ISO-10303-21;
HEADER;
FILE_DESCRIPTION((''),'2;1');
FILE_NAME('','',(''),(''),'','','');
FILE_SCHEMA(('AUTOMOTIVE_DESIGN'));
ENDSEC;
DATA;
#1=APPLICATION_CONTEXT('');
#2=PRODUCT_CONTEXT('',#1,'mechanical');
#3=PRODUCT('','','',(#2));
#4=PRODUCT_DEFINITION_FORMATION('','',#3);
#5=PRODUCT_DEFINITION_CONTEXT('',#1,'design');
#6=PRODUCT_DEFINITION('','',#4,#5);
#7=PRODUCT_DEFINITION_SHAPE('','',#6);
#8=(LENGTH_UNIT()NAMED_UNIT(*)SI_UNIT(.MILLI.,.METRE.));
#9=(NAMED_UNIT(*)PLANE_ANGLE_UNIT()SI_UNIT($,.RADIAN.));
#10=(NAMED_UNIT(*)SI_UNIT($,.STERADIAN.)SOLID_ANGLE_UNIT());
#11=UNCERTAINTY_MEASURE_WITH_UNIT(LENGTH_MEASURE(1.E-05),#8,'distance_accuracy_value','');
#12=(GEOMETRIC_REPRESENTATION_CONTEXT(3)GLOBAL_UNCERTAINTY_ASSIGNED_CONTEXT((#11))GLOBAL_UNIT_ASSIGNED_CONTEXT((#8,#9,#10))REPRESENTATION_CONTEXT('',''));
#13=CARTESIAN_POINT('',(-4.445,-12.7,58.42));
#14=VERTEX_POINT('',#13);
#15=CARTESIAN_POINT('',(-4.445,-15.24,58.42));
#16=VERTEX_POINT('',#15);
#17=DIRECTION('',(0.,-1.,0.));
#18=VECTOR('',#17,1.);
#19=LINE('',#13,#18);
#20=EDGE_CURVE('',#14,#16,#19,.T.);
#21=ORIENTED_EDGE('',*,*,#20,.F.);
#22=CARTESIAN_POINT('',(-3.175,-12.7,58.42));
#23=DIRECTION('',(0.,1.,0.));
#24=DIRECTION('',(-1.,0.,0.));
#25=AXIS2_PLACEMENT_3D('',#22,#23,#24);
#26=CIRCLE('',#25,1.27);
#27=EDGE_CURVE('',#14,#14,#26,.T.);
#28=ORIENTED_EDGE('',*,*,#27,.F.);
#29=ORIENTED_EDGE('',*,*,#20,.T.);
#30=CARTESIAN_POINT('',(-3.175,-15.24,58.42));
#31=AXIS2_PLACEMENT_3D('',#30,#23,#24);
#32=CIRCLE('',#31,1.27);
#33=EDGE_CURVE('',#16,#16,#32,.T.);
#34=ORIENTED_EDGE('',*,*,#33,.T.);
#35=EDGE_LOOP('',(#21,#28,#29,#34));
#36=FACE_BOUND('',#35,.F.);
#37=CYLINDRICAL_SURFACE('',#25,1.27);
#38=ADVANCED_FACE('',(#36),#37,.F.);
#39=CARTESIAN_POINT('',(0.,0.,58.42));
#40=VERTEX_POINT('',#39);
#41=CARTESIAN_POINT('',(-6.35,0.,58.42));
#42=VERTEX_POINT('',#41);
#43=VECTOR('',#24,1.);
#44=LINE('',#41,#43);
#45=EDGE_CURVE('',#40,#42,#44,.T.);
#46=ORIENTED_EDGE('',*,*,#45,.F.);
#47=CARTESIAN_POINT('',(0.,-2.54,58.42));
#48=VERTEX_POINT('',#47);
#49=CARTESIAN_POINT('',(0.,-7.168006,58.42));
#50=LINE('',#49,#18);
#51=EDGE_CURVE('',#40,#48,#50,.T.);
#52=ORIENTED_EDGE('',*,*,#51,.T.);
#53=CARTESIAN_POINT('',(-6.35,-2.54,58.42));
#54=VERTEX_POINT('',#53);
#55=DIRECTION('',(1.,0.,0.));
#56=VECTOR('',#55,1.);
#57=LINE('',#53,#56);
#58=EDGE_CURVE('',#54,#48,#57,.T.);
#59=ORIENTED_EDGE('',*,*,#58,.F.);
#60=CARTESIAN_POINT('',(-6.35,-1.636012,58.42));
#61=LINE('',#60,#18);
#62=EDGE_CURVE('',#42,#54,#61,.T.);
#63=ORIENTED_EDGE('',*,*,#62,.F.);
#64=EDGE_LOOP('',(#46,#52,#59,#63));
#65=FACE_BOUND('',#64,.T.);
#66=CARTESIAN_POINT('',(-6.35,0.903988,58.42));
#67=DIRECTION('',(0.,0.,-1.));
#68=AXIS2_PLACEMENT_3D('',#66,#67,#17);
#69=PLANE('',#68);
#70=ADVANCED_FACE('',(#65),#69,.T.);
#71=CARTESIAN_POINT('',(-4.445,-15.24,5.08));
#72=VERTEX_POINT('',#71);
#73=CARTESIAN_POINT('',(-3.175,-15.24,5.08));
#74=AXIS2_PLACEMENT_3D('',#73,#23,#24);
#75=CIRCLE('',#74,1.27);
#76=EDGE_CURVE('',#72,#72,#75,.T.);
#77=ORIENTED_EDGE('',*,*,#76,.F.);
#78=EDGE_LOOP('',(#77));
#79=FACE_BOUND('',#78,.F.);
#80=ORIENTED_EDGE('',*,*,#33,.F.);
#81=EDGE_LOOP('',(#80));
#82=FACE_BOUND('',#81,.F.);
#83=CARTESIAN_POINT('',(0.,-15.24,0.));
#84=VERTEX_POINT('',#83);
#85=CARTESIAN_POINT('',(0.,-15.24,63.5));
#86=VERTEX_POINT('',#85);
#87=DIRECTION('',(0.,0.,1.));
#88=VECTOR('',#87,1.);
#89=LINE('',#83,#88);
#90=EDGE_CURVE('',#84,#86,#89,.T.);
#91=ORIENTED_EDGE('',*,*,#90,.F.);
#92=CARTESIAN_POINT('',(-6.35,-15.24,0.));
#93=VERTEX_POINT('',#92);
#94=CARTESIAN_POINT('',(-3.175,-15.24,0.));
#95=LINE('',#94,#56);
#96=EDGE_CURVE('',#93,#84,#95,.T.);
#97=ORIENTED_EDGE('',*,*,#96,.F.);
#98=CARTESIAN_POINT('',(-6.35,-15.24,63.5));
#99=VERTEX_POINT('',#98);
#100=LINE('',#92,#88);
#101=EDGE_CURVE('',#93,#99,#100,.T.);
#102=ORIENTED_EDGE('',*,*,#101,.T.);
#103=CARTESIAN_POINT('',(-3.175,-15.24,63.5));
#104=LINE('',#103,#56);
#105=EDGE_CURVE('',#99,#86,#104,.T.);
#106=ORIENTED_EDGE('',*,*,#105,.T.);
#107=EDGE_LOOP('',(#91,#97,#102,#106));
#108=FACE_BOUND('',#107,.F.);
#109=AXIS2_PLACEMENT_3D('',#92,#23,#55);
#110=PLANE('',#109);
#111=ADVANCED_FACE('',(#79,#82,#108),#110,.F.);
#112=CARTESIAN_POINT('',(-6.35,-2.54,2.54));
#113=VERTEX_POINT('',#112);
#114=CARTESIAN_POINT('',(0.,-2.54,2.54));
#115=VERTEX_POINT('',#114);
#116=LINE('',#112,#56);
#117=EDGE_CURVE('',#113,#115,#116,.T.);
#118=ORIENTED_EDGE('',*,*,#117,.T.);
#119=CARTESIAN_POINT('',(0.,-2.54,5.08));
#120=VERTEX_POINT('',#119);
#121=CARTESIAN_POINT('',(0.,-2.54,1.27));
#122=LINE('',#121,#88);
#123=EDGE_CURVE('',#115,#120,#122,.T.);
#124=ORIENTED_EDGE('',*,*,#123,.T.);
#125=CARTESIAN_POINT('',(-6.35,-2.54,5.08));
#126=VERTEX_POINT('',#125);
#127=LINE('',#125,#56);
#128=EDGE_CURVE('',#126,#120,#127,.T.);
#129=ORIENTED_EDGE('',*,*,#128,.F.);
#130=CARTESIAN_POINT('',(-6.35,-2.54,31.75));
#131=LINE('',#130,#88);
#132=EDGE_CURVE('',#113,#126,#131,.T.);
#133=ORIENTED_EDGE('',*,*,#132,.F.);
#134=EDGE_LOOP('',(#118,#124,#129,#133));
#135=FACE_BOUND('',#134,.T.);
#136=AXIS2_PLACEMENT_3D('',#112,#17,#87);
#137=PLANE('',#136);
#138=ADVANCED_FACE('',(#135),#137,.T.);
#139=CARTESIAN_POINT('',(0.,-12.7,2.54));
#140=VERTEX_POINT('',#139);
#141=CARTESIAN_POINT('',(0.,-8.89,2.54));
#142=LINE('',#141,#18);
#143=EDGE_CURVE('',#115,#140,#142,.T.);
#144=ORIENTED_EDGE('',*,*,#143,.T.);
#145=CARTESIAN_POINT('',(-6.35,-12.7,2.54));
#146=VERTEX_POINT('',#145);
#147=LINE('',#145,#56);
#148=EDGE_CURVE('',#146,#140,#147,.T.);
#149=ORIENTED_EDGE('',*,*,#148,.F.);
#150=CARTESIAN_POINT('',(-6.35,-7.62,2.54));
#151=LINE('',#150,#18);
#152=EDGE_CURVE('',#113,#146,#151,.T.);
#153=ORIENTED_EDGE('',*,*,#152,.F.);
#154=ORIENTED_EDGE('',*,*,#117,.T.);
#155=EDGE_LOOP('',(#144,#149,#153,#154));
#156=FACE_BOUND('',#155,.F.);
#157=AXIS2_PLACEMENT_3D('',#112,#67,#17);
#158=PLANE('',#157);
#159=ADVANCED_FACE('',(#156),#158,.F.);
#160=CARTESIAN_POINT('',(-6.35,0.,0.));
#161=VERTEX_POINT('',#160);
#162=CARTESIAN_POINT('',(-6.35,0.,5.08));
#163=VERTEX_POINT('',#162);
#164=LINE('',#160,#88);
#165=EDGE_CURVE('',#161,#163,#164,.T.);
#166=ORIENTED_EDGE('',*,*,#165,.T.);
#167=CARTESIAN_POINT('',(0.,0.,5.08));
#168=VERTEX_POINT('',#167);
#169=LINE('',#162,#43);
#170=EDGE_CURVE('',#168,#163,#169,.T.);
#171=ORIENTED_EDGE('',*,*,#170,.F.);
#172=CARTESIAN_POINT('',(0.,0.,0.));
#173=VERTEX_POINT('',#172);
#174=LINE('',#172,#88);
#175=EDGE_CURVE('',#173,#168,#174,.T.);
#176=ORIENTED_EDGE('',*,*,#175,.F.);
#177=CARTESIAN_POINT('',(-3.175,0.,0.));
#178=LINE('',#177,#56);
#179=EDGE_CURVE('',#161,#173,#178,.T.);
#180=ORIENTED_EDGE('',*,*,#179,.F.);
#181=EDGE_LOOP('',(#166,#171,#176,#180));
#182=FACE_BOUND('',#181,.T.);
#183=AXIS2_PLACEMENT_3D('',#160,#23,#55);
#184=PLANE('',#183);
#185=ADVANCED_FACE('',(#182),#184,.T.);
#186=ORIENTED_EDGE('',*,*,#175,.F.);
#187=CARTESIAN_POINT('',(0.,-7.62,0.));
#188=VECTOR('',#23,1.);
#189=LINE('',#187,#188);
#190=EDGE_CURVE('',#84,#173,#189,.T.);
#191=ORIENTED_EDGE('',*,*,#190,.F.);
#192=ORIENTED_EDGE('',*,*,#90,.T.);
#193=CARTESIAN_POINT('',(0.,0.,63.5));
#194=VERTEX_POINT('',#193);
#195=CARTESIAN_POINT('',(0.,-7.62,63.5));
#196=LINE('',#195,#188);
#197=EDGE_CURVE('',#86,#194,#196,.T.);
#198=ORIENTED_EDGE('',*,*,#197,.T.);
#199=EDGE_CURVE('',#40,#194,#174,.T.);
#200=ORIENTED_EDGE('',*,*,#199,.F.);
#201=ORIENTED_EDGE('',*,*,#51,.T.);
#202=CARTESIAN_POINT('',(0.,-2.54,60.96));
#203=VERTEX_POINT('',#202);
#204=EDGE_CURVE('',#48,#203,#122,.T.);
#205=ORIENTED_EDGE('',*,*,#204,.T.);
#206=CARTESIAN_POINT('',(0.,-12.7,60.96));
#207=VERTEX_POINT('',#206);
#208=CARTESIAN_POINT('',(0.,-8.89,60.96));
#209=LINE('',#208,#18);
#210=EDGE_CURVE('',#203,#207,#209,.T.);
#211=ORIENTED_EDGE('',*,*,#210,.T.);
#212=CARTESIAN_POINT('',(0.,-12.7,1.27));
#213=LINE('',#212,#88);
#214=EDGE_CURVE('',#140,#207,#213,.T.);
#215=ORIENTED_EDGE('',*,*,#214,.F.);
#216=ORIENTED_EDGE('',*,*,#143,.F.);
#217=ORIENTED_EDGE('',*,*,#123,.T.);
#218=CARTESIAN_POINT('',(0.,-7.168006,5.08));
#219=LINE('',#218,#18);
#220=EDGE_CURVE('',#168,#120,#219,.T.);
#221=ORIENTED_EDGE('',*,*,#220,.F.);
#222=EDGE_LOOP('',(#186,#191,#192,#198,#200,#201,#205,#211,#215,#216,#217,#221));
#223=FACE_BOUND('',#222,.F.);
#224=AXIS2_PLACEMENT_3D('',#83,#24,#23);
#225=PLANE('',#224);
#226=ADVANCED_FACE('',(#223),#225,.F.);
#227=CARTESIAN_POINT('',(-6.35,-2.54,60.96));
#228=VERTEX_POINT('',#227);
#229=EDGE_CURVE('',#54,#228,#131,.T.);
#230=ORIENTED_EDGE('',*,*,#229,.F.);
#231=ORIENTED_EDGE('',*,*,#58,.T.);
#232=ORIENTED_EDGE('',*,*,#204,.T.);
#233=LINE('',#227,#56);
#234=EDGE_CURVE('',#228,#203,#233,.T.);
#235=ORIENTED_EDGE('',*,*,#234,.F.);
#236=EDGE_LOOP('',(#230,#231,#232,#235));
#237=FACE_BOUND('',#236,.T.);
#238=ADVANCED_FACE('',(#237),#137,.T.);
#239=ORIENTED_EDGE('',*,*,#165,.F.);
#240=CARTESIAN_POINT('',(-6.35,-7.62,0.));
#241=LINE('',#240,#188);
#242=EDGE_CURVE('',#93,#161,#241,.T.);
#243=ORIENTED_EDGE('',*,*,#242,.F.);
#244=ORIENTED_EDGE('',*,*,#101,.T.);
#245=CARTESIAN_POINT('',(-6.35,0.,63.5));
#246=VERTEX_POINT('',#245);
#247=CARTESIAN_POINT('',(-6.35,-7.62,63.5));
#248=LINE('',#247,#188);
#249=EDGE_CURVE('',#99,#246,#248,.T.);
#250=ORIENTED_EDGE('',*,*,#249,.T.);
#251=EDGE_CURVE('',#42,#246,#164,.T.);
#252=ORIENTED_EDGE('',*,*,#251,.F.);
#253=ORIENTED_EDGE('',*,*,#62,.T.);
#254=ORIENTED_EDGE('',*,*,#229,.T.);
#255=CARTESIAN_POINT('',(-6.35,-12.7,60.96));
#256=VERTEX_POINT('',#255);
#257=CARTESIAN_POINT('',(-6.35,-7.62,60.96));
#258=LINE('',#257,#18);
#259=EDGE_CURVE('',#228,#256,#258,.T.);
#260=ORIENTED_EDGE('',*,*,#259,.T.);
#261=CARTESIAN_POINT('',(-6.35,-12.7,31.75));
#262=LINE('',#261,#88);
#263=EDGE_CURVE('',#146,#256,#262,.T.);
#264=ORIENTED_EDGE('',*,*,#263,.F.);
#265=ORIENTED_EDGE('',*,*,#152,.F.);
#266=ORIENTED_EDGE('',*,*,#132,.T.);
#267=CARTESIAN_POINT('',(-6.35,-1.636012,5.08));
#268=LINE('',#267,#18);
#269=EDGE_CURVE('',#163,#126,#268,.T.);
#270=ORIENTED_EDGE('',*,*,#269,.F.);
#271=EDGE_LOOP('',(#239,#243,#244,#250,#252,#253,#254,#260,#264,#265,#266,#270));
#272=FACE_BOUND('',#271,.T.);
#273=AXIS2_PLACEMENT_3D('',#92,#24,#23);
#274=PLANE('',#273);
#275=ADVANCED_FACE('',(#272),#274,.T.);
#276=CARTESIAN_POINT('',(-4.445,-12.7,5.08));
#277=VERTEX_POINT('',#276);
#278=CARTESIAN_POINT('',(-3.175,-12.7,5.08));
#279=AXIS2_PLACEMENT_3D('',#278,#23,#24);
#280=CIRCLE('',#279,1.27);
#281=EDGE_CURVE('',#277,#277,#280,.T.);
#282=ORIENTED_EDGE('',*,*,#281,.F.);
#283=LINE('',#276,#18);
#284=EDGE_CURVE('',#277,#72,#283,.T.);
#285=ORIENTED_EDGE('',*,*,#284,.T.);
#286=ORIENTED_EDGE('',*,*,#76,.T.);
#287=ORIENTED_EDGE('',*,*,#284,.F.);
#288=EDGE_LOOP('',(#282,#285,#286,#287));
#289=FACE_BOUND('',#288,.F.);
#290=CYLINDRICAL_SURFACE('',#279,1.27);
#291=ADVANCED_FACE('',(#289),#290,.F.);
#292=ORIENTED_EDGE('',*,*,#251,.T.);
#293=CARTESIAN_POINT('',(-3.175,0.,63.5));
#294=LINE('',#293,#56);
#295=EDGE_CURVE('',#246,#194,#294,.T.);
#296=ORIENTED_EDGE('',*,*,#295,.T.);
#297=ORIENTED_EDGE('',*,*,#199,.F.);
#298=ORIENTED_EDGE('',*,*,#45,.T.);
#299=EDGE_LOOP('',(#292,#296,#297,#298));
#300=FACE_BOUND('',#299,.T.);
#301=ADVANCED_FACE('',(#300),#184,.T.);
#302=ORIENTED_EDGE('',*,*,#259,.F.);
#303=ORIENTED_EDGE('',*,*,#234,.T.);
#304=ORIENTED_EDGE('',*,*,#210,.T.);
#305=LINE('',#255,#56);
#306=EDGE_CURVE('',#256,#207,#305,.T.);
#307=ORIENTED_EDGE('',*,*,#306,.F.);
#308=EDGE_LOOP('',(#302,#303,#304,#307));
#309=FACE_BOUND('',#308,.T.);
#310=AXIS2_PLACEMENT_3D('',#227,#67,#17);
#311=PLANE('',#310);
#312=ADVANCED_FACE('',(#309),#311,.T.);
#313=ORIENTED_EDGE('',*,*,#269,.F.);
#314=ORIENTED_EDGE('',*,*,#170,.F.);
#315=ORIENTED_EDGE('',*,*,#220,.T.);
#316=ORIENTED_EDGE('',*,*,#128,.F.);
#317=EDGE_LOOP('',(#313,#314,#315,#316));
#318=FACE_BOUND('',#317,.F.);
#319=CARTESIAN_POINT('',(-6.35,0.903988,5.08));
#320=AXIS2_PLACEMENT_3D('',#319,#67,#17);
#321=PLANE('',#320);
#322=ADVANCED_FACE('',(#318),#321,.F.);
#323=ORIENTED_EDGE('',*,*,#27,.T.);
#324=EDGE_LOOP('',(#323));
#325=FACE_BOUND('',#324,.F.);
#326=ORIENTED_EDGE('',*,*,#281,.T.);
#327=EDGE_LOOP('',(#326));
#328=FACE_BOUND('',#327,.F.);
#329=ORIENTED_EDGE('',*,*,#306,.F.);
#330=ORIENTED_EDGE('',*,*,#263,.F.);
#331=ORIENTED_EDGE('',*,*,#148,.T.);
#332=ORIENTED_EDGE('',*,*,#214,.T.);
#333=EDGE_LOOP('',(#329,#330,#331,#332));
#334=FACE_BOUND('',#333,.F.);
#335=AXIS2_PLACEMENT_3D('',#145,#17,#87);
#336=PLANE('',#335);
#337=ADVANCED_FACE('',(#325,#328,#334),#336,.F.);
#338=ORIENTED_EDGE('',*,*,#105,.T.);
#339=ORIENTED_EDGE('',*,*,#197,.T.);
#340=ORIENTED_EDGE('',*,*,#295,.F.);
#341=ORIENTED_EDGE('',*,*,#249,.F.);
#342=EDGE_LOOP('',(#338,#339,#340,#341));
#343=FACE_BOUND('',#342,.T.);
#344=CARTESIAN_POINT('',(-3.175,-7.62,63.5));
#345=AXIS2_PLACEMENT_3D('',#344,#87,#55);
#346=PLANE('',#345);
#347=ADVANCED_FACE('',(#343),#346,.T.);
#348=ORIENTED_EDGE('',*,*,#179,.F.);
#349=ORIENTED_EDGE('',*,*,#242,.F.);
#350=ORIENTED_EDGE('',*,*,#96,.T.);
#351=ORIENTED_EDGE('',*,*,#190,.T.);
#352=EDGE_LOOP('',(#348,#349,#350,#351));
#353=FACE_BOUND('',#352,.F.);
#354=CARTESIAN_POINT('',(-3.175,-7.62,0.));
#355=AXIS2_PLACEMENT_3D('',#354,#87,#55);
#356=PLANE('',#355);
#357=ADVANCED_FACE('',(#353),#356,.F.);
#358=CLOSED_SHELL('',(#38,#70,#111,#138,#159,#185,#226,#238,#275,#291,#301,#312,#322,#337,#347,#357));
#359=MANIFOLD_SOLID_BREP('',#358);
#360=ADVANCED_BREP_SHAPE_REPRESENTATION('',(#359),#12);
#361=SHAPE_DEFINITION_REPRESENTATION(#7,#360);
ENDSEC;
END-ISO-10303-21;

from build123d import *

# Parameters (mm, degrees)
F0_W     = 6.35
F0_H     = 15.24
F1_DEPTH = 63.5
F2_W     = 10.16
F2_H     = 58.42
F3_DEPTH = 25.4
F4_W     = 5.08
F4_H     = 53.34
F5_DEPTH = 25.4
F6_R     = 1.27
F7_DEPTH = 25.4


with BuildPart() as f1:
    # F0 (on Top) → F1 (new body)
    with BuildSketch(Plane.XY):
        with Locations((-3.175, -7.62)):
            Rectangle(F0_W, F0_H)
    extrude(amount=F1_DEPTH)

    # F2 (on face) → F3 (cut)
    with BuildSketch(Plane(origin=(-6.35, 0, 0), x_dir=(0, -1, 0), z_dir=(-1, 0, 0))):
        with Locations((7.62, 31.75)):
            Rectangle(F2_W, F2_H)
    extrude(amount=-F3_DEPTH, mode=Mode.SUBTRACT)

    # F4 (on face) → F5 (cut)
    with BuildSketch(Plane(origin=(-6.35, 0, 0), x_dir=(0, -1, 0), z_dir=(-1, 0, 0))):
        with Locations((1.636012, 31.75)):
            Rectangle(F4_W, F4_H)
    extrude(amount=-F5_DEPTH, mode=Mode.SUBTRACT)

    # F6 (on face) → F7 (cut)
    with BuildSketch(Plane(origin=(0, -12.7, 0), x_dir=(-1, 0, 0), z_dir=(0, 1, 0))):
        with Locations((3.175, 5.08)):
            Circle(F6_R)
        with Locations((3.175, 58.42)):
            Circle(F6_R)
    extrude(amount=-F7_DEPTH, mode=Mode.SUBTRACT)


solid = f1.part
